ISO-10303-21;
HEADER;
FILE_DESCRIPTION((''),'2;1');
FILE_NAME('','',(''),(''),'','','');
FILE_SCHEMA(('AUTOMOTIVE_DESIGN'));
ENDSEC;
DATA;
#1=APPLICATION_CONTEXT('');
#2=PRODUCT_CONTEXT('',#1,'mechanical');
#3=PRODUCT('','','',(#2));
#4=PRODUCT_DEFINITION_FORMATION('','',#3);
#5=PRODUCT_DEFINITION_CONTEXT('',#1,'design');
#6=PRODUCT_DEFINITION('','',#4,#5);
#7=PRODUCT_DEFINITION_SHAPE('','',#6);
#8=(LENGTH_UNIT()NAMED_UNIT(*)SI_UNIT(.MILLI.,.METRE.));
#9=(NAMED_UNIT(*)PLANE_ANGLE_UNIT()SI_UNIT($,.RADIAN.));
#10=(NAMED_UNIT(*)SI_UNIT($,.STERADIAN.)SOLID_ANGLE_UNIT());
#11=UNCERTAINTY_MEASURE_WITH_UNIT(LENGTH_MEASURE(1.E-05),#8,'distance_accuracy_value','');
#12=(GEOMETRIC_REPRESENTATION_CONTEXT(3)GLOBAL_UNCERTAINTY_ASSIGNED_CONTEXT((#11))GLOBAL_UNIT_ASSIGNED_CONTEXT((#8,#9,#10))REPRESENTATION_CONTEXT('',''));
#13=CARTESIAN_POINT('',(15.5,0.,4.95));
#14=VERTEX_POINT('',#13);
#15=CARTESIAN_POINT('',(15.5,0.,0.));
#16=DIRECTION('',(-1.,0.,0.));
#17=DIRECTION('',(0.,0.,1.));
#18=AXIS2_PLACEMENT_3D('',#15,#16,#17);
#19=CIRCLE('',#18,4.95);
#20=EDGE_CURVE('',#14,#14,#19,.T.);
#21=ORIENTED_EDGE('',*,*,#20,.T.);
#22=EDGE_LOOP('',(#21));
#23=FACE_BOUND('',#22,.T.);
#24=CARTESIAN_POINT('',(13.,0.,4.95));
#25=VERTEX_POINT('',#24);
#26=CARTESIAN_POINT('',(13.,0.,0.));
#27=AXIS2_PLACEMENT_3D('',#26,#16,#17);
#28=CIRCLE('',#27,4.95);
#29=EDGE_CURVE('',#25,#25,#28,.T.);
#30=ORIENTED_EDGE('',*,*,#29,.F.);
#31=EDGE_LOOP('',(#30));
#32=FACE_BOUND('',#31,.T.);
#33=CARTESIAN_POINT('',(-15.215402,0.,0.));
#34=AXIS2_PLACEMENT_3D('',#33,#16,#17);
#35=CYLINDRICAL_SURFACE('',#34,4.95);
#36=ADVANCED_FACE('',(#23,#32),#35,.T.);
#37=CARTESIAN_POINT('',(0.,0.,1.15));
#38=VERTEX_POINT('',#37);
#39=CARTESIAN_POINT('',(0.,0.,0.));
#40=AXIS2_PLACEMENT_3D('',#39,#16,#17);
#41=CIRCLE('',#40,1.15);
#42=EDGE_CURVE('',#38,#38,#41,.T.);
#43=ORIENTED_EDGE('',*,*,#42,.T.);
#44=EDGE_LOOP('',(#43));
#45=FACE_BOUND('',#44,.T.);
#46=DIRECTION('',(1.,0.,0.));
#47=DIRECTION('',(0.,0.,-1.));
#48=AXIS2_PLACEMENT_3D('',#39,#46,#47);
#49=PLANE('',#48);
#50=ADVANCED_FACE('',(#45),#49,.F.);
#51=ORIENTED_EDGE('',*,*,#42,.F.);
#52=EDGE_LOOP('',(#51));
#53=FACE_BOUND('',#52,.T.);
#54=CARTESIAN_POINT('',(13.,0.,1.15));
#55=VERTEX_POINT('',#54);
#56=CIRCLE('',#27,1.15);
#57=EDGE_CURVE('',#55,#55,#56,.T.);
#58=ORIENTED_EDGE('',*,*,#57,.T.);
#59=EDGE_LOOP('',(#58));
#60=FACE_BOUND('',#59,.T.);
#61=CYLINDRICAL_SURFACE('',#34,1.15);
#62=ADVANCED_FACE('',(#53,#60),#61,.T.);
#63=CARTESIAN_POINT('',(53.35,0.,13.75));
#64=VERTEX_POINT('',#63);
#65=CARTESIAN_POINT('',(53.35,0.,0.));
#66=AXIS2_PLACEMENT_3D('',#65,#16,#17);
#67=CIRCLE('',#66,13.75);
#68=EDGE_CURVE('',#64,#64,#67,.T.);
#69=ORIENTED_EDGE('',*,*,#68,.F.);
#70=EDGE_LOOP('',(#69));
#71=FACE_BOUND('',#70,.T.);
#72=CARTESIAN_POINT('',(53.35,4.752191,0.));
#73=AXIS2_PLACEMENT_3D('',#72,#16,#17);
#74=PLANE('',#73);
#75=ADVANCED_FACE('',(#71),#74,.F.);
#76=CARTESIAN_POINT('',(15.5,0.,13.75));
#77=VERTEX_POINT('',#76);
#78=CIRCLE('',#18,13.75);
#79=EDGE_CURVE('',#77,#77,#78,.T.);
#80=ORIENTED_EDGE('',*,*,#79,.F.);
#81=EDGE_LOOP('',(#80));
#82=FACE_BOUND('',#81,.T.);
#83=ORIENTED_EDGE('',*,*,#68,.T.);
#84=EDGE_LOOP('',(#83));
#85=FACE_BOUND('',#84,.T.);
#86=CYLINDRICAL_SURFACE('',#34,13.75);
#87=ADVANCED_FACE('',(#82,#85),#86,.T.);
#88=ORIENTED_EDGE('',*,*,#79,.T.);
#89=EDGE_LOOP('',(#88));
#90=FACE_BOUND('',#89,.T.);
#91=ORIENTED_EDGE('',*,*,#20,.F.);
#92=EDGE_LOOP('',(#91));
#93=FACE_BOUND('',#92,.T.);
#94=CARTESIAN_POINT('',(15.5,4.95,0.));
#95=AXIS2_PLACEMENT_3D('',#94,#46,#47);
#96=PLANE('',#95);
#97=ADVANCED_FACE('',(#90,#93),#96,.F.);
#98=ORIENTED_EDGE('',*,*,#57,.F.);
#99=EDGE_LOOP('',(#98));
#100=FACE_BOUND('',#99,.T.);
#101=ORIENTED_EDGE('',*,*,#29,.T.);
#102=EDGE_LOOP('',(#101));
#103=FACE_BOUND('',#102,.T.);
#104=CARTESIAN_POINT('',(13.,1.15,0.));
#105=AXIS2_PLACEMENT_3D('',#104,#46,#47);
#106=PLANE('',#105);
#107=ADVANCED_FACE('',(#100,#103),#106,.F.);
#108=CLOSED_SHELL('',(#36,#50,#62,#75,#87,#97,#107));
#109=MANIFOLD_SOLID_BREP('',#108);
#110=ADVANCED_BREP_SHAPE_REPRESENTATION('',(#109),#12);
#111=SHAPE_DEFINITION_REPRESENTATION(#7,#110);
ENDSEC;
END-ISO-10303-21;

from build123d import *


with BuildPart() as part:
    # Sketch1 → Revolve1 (revolve)
    with BuildSketch(Plane.XY, mode=Mode.PRIVATE) as revolve1_sk:
        Polygon((0, 0), (0, 1.15), (13, 1.15), (13, 4.95), (15.5, 4.95), (15.5, 13.75), (53.35, 13.75), (53.35, 4.752190947), (53.35, 0), (38.956228045, 0), align=None)
    revolve(revolve1_sk.sketch.rotate(Axis((-15.21540166, 0, 0), (1, 0, 0)), 90), axis=Axis((-15.21540166, 0, 0), (1, 0, 0)))


solid = part.part
